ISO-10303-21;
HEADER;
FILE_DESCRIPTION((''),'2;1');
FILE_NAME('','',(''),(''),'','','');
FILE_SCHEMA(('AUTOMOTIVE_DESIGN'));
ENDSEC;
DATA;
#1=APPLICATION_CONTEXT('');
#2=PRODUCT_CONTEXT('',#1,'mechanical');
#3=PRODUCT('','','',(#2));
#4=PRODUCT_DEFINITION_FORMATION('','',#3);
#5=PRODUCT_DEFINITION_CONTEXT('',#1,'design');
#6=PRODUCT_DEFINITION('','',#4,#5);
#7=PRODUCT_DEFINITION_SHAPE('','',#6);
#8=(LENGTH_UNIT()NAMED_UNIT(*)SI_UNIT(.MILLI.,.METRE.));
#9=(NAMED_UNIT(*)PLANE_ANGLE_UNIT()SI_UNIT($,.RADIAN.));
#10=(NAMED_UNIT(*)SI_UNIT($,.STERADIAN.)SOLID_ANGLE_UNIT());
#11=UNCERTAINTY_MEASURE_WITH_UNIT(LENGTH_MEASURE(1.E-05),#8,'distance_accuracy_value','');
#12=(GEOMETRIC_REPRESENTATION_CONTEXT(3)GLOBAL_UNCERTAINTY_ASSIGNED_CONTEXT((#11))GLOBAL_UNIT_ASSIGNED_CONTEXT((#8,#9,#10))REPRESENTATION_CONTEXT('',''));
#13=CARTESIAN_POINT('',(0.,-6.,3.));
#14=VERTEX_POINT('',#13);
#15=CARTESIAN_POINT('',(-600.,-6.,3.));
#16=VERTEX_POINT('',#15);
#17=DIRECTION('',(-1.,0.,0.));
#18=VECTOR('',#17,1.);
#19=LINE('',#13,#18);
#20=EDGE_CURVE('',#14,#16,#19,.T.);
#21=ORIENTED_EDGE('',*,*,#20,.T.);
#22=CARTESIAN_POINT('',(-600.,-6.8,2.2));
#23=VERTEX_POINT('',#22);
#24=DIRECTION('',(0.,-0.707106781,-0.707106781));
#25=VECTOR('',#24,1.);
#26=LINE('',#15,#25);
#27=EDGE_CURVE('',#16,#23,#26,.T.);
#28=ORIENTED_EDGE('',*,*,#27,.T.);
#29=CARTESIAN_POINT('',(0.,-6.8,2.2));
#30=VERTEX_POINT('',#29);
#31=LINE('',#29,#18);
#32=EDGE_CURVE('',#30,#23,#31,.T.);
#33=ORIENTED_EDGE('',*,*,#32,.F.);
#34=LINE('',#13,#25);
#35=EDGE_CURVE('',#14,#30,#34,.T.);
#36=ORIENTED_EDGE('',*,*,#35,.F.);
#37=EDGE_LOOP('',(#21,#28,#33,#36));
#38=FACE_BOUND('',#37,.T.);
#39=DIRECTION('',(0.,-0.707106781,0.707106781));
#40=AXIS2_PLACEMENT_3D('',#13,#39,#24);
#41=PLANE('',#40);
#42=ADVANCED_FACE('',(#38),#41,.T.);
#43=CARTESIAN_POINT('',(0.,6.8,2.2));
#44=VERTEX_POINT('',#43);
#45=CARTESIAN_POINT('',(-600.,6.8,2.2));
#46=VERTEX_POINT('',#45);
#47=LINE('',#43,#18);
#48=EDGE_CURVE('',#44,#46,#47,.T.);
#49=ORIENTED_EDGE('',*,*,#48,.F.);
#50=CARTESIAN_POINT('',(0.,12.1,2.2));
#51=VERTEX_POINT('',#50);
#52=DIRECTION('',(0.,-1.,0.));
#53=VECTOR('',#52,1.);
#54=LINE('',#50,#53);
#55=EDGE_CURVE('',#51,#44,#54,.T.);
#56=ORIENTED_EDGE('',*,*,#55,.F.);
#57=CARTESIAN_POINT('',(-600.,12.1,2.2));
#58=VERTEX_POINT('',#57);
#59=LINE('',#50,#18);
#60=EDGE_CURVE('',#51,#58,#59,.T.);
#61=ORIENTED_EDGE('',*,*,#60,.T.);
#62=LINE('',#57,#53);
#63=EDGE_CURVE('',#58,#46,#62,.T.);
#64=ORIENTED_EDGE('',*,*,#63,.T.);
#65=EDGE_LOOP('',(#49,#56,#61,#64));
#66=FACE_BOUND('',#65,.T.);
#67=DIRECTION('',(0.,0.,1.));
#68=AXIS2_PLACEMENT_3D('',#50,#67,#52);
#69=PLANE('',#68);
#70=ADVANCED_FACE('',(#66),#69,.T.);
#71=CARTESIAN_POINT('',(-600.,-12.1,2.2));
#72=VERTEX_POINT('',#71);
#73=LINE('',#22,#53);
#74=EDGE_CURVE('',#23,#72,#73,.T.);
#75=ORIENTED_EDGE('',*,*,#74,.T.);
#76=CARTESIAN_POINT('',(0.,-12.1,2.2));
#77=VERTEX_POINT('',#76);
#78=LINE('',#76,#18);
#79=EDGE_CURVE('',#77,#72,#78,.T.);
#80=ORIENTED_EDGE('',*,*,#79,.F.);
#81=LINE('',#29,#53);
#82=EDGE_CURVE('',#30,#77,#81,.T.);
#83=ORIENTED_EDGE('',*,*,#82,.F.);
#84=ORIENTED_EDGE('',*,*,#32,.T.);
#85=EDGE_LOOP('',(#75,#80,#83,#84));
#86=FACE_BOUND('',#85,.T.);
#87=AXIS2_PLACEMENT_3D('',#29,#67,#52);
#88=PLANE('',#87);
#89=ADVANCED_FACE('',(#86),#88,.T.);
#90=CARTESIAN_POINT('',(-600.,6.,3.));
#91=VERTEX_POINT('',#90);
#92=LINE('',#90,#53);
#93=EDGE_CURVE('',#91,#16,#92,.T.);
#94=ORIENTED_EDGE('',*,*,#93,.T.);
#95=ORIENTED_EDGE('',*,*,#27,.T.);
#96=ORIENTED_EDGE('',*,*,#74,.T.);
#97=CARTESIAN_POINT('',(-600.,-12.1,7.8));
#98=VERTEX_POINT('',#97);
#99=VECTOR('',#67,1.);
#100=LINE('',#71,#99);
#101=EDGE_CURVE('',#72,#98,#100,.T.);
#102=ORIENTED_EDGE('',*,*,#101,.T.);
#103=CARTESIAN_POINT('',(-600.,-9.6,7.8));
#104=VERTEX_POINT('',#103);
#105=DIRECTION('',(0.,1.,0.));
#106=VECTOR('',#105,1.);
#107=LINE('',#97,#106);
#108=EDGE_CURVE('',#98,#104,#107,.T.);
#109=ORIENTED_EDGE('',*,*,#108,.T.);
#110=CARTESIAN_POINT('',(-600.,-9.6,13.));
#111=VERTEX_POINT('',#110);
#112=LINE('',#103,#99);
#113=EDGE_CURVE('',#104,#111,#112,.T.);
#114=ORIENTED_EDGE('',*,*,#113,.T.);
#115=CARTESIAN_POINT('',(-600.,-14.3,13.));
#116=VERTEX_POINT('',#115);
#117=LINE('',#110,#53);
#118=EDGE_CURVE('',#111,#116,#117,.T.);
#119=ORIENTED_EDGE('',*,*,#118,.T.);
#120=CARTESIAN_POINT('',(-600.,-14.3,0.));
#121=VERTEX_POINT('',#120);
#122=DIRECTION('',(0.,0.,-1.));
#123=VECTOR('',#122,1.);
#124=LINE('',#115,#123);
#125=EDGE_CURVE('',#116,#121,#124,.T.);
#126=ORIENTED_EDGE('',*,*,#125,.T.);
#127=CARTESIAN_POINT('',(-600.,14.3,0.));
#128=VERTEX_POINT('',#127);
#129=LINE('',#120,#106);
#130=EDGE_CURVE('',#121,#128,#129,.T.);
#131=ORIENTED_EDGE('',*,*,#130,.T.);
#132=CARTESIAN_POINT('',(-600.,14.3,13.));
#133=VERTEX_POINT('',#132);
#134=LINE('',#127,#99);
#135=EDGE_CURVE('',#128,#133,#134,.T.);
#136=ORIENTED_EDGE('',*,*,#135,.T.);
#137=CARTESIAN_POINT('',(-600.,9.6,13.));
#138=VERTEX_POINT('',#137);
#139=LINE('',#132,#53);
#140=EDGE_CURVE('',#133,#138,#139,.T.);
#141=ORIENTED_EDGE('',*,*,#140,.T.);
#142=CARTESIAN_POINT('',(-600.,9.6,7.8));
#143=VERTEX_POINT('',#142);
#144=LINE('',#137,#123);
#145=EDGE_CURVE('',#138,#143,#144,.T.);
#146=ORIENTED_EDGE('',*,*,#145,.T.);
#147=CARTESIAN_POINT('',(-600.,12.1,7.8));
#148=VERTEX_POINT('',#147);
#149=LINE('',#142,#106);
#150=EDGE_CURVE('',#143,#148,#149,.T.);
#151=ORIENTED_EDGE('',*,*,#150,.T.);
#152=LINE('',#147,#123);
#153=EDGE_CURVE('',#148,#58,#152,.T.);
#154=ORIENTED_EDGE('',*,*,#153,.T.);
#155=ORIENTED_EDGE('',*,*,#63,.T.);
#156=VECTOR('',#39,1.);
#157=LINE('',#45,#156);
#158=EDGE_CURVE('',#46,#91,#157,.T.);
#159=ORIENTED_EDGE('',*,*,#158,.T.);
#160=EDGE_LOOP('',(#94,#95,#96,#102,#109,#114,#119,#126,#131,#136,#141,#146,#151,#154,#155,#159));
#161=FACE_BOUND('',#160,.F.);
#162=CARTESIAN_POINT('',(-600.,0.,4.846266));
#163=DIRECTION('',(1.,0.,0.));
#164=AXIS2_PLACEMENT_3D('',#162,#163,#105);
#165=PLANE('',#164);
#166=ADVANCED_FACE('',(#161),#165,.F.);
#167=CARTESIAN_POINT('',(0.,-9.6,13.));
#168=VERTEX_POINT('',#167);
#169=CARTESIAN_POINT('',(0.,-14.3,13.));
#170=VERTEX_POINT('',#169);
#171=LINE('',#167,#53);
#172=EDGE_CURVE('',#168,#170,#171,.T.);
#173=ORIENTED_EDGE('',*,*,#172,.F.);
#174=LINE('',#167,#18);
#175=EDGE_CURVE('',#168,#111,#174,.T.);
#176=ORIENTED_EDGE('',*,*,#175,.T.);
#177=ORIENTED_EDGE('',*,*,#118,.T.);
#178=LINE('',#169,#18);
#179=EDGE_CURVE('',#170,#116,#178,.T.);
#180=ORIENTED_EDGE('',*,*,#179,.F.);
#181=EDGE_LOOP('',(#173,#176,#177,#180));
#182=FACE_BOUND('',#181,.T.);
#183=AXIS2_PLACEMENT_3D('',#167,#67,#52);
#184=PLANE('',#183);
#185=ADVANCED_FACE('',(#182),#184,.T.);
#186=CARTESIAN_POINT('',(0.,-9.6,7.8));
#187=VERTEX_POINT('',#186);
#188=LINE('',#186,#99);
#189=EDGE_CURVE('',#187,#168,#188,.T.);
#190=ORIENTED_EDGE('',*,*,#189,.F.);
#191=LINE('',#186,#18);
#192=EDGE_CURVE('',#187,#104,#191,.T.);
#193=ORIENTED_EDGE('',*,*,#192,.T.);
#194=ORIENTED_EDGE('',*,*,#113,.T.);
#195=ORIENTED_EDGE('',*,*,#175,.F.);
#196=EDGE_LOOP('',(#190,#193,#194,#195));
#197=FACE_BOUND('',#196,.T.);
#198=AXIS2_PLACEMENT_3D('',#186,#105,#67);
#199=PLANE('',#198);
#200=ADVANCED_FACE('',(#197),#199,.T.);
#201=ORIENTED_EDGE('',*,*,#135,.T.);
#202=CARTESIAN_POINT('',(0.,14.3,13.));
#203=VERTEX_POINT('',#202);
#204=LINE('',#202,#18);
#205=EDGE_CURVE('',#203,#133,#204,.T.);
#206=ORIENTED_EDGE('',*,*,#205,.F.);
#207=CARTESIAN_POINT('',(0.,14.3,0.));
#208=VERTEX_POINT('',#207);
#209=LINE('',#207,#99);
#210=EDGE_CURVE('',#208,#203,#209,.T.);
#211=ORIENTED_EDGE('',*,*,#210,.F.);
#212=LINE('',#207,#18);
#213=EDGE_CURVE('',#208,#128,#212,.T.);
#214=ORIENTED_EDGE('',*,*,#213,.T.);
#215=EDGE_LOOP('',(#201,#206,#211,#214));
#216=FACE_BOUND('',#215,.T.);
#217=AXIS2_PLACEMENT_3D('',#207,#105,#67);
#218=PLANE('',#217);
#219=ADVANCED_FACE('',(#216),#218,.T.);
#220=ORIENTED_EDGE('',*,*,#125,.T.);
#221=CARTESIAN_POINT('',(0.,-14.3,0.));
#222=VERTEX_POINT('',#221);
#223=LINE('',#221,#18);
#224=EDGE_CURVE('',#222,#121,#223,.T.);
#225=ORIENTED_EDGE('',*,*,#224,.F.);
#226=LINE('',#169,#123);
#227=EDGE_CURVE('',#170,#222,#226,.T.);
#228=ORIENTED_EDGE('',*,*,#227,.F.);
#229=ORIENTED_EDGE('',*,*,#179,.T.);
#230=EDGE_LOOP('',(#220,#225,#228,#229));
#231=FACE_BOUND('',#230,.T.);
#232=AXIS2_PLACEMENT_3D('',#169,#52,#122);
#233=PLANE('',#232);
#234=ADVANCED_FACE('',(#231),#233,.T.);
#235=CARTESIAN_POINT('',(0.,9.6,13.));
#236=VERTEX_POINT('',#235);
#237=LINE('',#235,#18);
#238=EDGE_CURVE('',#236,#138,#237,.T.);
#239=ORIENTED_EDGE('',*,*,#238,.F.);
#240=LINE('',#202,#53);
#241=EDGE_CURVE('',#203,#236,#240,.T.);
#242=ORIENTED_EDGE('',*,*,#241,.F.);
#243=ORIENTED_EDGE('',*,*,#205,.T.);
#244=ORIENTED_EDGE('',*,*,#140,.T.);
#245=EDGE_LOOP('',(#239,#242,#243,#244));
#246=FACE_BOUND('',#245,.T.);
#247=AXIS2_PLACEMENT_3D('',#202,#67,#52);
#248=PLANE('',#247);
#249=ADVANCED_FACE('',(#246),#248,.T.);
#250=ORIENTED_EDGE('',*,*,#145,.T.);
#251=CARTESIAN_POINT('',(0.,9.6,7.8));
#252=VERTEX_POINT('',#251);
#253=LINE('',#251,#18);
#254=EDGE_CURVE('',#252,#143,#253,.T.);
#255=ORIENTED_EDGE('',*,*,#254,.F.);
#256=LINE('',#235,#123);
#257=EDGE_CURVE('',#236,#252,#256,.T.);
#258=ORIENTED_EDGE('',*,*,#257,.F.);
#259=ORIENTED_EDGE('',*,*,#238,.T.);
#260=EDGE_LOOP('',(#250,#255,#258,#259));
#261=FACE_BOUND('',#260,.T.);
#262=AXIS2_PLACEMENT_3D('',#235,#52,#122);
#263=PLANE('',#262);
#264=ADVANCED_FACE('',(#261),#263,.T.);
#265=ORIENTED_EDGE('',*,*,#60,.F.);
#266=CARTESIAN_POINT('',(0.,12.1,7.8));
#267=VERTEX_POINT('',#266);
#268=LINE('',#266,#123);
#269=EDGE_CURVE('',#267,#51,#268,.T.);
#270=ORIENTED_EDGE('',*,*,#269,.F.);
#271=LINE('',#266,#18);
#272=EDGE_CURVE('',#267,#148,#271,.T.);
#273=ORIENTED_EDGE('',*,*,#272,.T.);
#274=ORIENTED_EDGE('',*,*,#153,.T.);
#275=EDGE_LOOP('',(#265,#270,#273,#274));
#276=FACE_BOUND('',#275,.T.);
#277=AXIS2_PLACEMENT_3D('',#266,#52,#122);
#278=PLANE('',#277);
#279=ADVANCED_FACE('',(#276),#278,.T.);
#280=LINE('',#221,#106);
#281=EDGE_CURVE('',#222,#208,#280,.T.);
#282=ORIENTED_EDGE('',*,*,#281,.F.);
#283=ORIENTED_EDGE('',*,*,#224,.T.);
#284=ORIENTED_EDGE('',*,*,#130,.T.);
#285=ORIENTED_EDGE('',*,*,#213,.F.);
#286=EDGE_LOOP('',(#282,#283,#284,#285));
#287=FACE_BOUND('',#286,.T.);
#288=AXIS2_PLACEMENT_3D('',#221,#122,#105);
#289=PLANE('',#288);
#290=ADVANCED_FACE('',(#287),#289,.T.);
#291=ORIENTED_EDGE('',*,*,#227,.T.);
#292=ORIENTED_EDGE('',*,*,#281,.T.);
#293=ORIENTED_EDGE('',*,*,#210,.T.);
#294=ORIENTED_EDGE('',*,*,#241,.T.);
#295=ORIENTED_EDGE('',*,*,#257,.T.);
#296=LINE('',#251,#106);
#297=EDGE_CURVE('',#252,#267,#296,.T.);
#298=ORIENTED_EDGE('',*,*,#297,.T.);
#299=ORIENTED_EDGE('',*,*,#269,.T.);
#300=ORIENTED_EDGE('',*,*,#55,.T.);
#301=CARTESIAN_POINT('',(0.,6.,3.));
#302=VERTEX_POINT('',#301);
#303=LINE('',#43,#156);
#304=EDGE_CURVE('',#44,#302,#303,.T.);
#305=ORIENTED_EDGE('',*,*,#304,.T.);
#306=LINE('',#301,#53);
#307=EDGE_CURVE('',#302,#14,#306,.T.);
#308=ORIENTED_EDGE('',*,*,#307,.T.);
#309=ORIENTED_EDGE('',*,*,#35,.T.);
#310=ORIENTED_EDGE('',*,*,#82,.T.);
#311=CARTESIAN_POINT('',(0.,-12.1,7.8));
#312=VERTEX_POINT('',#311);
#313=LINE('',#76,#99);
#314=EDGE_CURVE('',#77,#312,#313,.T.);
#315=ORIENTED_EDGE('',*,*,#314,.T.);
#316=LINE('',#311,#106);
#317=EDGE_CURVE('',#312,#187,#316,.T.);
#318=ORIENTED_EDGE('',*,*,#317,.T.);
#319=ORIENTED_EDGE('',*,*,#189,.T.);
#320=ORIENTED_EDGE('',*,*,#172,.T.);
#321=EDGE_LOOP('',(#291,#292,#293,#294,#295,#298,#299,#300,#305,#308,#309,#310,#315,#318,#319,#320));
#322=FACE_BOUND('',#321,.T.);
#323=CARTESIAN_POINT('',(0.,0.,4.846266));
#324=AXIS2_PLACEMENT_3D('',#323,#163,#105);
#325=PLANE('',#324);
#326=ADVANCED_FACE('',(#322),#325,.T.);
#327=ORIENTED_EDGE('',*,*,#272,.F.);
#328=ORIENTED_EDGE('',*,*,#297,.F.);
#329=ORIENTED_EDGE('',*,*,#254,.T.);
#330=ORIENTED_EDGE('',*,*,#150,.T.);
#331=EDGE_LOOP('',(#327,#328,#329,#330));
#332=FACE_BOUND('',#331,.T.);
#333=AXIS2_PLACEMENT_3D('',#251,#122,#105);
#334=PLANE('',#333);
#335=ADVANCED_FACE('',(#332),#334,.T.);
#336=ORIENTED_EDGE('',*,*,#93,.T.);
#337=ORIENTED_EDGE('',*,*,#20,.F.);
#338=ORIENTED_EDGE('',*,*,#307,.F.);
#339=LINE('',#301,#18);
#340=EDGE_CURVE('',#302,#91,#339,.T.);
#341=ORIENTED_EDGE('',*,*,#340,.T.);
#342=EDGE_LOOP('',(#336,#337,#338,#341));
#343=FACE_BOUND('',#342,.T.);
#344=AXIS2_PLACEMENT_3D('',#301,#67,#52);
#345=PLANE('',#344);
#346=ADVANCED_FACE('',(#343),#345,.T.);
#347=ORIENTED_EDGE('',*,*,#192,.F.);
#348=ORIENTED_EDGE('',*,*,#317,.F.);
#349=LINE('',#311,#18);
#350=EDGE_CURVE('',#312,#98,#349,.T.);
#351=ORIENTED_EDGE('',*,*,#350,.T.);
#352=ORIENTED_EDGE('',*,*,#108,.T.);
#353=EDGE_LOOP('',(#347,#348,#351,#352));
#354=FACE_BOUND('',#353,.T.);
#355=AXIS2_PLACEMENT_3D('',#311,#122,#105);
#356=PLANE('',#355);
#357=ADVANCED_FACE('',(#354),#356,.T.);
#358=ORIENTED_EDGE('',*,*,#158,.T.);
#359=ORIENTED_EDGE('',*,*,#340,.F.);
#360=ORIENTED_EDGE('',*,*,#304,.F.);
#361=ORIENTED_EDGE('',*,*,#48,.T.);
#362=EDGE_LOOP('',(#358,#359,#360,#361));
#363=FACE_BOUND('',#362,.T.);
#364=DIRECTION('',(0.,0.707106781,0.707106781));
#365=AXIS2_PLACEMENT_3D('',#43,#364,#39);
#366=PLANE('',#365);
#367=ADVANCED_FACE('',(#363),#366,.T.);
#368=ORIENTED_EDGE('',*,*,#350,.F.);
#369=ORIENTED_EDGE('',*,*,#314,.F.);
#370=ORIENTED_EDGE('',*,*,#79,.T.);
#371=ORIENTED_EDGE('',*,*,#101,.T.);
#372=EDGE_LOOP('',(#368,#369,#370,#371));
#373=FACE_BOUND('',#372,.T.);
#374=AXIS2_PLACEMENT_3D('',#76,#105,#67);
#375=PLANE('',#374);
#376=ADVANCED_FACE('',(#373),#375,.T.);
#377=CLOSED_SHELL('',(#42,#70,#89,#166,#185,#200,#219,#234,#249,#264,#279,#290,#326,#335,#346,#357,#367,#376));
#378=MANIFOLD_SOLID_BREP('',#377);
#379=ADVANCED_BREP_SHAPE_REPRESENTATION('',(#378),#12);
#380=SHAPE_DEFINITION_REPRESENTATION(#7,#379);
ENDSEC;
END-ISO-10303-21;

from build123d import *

# Parameters (mm, degrees)
F1_DEPTH = 600


with BuildPart() as f1:
    # F0 (on Right) → F1 (new body)
    with BuildSketch(Plane.YZ):
        Polygon((-14.3, 0), (0, 0), (14.3, 0), (14.3, 13), (9.6, 13), (9.6, 7.8), (12.1, 7.8), (12.1, 2.2), (6.8, 2.2), (6, 3), (0, 3), (-6, 3), (-6.8, 2.2), (-12.1, 2.2), (-12.1, 7.8), (-9.6, 7.8), (-9.6, 13), (-14.3, 13), align=None)
    extrude(amount=-F1_DEPTH)


solid = f1.part
